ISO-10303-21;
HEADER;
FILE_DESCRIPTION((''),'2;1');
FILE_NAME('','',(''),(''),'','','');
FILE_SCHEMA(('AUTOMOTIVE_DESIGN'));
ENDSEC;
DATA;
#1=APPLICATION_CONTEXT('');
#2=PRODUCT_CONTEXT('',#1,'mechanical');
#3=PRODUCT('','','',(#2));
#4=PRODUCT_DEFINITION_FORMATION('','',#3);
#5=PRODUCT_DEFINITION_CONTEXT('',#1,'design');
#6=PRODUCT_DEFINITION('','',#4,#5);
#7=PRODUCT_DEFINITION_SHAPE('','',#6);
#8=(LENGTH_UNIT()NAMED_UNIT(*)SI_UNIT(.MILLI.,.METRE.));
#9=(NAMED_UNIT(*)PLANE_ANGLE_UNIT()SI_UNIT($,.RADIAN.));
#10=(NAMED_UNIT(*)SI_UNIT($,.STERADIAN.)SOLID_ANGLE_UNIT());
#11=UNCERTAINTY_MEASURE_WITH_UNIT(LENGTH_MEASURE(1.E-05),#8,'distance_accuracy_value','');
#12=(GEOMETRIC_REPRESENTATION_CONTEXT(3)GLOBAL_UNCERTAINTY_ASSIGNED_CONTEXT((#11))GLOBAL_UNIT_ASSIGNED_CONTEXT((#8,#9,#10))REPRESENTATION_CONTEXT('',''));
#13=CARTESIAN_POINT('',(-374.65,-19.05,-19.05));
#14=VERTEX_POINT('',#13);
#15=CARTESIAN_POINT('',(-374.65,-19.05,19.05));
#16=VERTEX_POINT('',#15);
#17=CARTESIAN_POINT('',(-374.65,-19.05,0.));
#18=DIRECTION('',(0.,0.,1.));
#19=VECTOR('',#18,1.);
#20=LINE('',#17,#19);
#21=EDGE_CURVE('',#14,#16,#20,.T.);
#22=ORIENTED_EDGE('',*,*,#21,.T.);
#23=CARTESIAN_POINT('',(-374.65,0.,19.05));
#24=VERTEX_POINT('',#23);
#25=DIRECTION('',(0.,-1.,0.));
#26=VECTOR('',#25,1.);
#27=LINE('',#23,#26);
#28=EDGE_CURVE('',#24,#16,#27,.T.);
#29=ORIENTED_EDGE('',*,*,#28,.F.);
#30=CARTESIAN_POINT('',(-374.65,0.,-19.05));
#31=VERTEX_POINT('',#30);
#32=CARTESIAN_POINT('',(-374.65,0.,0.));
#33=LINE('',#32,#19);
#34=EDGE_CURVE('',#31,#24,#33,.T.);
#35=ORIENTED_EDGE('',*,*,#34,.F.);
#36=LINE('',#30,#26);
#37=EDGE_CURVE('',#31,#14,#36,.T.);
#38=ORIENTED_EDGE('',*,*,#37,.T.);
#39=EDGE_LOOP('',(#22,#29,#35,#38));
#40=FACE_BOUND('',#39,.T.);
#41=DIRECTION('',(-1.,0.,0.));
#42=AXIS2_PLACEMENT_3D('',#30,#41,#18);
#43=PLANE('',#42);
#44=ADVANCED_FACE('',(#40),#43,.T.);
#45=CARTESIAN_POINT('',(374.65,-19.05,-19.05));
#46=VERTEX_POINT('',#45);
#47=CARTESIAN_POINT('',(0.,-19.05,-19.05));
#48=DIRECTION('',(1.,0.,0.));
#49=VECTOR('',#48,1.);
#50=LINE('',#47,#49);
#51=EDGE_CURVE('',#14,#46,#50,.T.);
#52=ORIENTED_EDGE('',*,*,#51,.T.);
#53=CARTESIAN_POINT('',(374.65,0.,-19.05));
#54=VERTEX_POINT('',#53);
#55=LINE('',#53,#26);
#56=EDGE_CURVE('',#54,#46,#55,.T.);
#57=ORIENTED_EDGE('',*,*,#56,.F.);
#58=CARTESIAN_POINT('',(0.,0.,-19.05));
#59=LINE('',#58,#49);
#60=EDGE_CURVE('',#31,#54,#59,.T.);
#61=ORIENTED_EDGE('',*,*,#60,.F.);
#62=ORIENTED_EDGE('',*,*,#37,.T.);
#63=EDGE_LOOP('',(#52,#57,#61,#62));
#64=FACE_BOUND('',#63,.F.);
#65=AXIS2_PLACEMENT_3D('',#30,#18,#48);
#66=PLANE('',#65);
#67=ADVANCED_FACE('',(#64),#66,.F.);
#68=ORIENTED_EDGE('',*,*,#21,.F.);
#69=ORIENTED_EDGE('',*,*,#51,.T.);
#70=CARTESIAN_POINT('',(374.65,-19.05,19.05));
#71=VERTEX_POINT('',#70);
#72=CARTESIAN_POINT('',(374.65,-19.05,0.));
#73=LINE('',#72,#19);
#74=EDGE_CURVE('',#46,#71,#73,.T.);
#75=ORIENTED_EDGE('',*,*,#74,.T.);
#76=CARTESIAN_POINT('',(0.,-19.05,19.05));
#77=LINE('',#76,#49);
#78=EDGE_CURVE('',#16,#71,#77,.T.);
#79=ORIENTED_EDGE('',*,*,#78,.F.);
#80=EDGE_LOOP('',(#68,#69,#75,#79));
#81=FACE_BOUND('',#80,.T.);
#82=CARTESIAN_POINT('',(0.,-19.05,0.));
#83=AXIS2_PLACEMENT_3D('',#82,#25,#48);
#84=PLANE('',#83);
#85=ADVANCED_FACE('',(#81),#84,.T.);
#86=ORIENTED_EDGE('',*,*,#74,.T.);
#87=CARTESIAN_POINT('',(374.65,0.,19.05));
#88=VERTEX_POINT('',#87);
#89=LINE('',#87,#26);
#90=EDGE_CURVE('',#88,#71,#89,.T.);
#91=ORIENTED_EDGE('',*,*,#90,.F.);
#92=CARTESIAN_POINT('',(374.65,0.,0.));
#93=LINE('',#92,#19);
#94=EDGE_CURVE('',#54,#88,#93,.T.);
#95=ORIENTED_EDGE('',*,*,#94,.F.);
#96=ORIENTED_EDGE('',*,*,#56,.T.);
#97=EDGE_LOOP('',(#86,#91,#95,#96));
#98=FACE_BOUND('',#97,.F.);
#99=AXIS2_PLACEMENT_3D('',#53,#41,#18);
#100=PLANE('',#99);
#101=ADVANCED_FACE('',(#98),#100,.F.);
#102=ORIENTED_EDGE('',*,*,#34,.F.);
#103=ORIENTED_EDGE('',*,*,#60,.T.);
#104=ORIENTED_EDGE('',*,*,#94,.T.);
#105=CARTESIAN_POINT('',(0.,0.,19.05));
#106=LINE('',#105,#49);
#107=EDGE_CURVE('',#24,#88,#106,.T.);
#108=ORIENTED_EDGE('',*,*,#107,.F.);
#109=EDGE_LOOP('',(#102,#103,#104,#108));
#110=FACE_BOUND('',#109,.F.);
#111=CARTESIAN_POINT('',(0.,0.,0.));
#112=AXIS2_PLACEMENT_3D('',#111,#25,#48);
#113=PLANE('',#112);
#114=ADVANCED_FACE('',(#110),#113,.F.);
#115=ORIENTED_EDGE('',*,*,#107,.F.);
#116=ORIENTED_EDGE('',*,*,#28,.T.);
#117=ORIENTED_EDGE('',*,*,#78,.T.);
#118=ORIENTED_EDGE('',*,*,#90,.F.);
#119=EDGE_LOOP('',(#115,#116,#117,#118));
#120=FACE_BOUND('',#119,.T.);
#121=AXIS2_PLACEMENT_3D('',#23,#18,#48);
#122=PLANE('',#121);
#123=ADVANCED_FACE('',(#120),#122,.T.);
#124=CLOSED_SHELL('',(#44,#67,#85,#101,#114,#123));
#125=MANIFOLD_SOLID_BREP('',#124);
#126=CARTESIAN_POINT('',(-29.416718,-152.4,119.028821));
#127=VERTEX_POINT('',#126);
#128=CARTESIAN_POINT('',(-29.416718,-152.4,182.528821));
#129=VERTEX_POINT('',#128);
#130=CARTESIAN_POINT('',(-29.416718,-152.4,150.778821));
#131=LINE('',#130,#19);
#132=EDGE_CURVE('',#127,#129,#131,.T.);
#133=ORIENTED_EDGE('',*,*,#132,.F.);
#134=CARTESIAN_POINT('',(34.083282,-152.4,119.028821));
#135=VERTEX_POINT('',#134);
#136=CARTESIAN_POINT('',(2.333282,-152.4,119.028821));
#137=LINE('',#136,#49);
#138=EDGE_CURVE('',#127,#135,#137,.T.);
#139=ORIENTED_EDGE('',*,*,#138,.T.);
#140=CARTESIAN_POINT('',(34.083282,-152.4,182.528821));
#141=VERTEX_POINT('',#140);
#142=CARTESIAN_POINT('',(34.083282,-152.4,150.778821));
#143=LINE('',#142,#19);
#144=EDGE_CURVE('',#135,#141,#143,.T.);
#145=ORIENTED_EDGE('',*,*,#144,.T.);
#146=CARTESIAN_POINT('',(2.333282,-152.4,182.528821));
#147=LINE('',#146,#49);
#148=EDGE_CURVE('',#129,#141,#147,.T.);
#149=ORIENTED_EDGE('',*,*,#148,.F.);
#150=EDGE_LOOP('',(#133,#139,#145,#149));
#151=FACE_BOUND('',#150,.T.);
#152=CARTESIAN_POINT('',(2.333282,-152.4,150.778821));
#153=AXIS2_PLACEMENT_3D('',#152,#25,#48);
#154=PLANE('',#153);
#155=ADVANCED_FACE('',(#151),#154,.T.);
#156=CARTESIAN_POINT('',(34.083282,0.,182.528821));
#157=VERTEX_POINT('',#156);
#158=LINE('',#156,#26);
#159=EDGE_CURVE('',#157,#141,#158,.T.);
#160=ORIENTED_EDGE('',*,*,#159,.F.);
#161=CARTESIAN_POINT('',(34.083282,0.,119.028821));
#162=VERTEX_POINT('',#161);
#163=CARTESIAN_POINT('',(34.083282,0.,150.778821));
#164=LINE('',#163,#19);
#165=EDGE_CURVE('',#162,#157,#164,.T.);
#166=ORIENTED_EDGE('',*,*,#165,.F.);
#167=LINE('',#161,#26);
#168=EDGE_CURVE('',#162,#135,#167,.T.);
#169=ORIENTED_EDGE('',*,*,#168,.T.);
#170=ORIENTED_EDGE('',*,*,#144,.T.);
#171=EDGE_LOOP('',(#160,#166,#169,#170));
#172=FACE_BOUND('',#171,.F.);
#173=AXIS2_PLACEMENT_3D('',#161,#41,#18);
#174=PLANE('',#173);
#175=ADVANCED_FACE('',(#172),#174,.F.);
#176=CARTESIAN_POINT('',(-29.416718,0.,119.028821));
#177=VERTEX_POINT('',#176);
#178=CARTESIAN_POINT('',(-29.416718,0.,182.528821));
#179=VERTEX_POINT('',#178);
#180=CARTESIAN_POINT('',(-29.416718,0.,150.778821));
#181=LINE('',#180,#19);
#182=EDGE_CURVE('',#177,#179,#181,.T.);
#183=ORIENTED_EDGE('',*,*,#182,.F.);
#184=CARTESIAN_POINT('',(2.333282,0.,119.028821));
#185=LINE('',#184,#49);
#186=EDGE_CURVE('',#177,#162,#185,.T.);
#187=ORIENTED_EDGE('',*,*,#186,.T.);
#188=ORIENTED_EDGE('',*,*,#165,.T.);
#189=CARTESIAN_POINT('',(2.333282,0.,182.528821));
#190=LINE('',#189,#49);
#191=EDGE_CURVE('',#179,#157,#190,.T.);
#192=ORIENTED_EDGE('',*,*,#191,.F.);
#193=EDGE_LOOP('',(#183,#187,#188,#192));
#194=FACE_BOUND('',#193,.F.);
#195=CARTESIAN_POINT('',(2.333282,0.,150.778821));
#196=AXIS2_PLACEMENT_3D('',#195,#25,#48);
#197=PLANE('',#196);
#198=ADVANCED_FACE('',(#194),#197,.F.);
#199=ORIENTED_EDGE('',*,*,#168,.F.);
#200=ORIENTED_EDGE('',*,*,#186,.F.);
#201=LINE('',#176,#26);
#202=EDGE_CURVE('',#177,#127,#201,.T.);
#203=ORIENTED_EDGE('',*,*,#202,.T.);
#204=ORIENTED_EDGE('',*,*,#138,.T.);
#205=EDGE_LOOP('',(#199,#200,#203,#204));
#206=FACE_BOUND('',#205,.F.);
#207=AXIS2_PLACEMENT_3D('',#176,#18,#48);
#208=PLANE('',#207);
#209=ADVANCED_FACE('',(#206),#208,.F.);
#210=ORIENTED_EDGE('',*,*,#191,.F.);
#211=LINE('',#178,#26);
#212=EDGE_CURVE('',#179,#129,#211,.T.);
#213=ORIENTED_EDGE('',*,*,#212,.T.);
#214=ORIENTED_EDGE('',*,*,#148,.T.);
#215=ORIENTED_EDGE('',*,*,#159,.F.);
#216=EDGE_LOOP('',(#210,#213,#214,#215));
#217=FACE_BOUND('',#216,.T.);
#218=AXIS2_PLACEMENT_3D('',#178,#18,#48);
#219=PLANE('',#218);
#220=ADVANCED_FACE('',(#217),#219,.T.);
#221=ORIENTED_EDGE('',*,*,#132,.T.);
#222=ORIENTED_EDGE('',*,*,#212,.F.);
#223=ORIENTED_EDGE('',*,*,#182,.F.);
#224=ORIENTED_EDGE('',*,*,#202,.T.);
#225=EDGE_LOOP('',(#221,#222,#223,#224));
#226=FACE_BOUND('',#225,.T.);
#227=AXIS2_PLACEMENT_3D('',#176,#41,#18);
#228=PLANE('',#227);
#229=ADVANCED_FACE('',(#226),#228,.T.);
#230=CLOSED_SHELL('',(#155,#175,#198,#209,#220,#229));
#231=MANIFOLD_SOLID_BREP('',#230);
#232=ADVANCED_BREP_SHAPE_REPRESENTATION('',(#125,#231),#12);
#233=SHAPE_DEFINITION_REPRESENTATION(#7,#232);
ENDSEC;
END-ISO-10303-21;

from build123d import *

# Parameters (mm, degrees)
F0_W     = 749.3
F0_H     = 38.1
F1_DEPTH = 19.05
F2_W     = 63.5
F2_H     = 63.5
F3_DEPTH = 152.4


with BuildPart() as f1:
    # F0 (on Front) → F1 (new body)
    with BuildSketch(Plane.XZ):
        Rectangle(F0_W, F0_H)
    extrude(amount=F1_DEPTH)


with BuildPart() as f3:
    # F2 (on Front) → F3 (new body)
    with BuildSketch(Plane.XZ):
        with Locations((2.333282, 150.778821)):
            Rectangle(F2_W, F2_H)
    extrude(amount=F3_DEPTH)


solid = Compound([f1.part, f3.part])
